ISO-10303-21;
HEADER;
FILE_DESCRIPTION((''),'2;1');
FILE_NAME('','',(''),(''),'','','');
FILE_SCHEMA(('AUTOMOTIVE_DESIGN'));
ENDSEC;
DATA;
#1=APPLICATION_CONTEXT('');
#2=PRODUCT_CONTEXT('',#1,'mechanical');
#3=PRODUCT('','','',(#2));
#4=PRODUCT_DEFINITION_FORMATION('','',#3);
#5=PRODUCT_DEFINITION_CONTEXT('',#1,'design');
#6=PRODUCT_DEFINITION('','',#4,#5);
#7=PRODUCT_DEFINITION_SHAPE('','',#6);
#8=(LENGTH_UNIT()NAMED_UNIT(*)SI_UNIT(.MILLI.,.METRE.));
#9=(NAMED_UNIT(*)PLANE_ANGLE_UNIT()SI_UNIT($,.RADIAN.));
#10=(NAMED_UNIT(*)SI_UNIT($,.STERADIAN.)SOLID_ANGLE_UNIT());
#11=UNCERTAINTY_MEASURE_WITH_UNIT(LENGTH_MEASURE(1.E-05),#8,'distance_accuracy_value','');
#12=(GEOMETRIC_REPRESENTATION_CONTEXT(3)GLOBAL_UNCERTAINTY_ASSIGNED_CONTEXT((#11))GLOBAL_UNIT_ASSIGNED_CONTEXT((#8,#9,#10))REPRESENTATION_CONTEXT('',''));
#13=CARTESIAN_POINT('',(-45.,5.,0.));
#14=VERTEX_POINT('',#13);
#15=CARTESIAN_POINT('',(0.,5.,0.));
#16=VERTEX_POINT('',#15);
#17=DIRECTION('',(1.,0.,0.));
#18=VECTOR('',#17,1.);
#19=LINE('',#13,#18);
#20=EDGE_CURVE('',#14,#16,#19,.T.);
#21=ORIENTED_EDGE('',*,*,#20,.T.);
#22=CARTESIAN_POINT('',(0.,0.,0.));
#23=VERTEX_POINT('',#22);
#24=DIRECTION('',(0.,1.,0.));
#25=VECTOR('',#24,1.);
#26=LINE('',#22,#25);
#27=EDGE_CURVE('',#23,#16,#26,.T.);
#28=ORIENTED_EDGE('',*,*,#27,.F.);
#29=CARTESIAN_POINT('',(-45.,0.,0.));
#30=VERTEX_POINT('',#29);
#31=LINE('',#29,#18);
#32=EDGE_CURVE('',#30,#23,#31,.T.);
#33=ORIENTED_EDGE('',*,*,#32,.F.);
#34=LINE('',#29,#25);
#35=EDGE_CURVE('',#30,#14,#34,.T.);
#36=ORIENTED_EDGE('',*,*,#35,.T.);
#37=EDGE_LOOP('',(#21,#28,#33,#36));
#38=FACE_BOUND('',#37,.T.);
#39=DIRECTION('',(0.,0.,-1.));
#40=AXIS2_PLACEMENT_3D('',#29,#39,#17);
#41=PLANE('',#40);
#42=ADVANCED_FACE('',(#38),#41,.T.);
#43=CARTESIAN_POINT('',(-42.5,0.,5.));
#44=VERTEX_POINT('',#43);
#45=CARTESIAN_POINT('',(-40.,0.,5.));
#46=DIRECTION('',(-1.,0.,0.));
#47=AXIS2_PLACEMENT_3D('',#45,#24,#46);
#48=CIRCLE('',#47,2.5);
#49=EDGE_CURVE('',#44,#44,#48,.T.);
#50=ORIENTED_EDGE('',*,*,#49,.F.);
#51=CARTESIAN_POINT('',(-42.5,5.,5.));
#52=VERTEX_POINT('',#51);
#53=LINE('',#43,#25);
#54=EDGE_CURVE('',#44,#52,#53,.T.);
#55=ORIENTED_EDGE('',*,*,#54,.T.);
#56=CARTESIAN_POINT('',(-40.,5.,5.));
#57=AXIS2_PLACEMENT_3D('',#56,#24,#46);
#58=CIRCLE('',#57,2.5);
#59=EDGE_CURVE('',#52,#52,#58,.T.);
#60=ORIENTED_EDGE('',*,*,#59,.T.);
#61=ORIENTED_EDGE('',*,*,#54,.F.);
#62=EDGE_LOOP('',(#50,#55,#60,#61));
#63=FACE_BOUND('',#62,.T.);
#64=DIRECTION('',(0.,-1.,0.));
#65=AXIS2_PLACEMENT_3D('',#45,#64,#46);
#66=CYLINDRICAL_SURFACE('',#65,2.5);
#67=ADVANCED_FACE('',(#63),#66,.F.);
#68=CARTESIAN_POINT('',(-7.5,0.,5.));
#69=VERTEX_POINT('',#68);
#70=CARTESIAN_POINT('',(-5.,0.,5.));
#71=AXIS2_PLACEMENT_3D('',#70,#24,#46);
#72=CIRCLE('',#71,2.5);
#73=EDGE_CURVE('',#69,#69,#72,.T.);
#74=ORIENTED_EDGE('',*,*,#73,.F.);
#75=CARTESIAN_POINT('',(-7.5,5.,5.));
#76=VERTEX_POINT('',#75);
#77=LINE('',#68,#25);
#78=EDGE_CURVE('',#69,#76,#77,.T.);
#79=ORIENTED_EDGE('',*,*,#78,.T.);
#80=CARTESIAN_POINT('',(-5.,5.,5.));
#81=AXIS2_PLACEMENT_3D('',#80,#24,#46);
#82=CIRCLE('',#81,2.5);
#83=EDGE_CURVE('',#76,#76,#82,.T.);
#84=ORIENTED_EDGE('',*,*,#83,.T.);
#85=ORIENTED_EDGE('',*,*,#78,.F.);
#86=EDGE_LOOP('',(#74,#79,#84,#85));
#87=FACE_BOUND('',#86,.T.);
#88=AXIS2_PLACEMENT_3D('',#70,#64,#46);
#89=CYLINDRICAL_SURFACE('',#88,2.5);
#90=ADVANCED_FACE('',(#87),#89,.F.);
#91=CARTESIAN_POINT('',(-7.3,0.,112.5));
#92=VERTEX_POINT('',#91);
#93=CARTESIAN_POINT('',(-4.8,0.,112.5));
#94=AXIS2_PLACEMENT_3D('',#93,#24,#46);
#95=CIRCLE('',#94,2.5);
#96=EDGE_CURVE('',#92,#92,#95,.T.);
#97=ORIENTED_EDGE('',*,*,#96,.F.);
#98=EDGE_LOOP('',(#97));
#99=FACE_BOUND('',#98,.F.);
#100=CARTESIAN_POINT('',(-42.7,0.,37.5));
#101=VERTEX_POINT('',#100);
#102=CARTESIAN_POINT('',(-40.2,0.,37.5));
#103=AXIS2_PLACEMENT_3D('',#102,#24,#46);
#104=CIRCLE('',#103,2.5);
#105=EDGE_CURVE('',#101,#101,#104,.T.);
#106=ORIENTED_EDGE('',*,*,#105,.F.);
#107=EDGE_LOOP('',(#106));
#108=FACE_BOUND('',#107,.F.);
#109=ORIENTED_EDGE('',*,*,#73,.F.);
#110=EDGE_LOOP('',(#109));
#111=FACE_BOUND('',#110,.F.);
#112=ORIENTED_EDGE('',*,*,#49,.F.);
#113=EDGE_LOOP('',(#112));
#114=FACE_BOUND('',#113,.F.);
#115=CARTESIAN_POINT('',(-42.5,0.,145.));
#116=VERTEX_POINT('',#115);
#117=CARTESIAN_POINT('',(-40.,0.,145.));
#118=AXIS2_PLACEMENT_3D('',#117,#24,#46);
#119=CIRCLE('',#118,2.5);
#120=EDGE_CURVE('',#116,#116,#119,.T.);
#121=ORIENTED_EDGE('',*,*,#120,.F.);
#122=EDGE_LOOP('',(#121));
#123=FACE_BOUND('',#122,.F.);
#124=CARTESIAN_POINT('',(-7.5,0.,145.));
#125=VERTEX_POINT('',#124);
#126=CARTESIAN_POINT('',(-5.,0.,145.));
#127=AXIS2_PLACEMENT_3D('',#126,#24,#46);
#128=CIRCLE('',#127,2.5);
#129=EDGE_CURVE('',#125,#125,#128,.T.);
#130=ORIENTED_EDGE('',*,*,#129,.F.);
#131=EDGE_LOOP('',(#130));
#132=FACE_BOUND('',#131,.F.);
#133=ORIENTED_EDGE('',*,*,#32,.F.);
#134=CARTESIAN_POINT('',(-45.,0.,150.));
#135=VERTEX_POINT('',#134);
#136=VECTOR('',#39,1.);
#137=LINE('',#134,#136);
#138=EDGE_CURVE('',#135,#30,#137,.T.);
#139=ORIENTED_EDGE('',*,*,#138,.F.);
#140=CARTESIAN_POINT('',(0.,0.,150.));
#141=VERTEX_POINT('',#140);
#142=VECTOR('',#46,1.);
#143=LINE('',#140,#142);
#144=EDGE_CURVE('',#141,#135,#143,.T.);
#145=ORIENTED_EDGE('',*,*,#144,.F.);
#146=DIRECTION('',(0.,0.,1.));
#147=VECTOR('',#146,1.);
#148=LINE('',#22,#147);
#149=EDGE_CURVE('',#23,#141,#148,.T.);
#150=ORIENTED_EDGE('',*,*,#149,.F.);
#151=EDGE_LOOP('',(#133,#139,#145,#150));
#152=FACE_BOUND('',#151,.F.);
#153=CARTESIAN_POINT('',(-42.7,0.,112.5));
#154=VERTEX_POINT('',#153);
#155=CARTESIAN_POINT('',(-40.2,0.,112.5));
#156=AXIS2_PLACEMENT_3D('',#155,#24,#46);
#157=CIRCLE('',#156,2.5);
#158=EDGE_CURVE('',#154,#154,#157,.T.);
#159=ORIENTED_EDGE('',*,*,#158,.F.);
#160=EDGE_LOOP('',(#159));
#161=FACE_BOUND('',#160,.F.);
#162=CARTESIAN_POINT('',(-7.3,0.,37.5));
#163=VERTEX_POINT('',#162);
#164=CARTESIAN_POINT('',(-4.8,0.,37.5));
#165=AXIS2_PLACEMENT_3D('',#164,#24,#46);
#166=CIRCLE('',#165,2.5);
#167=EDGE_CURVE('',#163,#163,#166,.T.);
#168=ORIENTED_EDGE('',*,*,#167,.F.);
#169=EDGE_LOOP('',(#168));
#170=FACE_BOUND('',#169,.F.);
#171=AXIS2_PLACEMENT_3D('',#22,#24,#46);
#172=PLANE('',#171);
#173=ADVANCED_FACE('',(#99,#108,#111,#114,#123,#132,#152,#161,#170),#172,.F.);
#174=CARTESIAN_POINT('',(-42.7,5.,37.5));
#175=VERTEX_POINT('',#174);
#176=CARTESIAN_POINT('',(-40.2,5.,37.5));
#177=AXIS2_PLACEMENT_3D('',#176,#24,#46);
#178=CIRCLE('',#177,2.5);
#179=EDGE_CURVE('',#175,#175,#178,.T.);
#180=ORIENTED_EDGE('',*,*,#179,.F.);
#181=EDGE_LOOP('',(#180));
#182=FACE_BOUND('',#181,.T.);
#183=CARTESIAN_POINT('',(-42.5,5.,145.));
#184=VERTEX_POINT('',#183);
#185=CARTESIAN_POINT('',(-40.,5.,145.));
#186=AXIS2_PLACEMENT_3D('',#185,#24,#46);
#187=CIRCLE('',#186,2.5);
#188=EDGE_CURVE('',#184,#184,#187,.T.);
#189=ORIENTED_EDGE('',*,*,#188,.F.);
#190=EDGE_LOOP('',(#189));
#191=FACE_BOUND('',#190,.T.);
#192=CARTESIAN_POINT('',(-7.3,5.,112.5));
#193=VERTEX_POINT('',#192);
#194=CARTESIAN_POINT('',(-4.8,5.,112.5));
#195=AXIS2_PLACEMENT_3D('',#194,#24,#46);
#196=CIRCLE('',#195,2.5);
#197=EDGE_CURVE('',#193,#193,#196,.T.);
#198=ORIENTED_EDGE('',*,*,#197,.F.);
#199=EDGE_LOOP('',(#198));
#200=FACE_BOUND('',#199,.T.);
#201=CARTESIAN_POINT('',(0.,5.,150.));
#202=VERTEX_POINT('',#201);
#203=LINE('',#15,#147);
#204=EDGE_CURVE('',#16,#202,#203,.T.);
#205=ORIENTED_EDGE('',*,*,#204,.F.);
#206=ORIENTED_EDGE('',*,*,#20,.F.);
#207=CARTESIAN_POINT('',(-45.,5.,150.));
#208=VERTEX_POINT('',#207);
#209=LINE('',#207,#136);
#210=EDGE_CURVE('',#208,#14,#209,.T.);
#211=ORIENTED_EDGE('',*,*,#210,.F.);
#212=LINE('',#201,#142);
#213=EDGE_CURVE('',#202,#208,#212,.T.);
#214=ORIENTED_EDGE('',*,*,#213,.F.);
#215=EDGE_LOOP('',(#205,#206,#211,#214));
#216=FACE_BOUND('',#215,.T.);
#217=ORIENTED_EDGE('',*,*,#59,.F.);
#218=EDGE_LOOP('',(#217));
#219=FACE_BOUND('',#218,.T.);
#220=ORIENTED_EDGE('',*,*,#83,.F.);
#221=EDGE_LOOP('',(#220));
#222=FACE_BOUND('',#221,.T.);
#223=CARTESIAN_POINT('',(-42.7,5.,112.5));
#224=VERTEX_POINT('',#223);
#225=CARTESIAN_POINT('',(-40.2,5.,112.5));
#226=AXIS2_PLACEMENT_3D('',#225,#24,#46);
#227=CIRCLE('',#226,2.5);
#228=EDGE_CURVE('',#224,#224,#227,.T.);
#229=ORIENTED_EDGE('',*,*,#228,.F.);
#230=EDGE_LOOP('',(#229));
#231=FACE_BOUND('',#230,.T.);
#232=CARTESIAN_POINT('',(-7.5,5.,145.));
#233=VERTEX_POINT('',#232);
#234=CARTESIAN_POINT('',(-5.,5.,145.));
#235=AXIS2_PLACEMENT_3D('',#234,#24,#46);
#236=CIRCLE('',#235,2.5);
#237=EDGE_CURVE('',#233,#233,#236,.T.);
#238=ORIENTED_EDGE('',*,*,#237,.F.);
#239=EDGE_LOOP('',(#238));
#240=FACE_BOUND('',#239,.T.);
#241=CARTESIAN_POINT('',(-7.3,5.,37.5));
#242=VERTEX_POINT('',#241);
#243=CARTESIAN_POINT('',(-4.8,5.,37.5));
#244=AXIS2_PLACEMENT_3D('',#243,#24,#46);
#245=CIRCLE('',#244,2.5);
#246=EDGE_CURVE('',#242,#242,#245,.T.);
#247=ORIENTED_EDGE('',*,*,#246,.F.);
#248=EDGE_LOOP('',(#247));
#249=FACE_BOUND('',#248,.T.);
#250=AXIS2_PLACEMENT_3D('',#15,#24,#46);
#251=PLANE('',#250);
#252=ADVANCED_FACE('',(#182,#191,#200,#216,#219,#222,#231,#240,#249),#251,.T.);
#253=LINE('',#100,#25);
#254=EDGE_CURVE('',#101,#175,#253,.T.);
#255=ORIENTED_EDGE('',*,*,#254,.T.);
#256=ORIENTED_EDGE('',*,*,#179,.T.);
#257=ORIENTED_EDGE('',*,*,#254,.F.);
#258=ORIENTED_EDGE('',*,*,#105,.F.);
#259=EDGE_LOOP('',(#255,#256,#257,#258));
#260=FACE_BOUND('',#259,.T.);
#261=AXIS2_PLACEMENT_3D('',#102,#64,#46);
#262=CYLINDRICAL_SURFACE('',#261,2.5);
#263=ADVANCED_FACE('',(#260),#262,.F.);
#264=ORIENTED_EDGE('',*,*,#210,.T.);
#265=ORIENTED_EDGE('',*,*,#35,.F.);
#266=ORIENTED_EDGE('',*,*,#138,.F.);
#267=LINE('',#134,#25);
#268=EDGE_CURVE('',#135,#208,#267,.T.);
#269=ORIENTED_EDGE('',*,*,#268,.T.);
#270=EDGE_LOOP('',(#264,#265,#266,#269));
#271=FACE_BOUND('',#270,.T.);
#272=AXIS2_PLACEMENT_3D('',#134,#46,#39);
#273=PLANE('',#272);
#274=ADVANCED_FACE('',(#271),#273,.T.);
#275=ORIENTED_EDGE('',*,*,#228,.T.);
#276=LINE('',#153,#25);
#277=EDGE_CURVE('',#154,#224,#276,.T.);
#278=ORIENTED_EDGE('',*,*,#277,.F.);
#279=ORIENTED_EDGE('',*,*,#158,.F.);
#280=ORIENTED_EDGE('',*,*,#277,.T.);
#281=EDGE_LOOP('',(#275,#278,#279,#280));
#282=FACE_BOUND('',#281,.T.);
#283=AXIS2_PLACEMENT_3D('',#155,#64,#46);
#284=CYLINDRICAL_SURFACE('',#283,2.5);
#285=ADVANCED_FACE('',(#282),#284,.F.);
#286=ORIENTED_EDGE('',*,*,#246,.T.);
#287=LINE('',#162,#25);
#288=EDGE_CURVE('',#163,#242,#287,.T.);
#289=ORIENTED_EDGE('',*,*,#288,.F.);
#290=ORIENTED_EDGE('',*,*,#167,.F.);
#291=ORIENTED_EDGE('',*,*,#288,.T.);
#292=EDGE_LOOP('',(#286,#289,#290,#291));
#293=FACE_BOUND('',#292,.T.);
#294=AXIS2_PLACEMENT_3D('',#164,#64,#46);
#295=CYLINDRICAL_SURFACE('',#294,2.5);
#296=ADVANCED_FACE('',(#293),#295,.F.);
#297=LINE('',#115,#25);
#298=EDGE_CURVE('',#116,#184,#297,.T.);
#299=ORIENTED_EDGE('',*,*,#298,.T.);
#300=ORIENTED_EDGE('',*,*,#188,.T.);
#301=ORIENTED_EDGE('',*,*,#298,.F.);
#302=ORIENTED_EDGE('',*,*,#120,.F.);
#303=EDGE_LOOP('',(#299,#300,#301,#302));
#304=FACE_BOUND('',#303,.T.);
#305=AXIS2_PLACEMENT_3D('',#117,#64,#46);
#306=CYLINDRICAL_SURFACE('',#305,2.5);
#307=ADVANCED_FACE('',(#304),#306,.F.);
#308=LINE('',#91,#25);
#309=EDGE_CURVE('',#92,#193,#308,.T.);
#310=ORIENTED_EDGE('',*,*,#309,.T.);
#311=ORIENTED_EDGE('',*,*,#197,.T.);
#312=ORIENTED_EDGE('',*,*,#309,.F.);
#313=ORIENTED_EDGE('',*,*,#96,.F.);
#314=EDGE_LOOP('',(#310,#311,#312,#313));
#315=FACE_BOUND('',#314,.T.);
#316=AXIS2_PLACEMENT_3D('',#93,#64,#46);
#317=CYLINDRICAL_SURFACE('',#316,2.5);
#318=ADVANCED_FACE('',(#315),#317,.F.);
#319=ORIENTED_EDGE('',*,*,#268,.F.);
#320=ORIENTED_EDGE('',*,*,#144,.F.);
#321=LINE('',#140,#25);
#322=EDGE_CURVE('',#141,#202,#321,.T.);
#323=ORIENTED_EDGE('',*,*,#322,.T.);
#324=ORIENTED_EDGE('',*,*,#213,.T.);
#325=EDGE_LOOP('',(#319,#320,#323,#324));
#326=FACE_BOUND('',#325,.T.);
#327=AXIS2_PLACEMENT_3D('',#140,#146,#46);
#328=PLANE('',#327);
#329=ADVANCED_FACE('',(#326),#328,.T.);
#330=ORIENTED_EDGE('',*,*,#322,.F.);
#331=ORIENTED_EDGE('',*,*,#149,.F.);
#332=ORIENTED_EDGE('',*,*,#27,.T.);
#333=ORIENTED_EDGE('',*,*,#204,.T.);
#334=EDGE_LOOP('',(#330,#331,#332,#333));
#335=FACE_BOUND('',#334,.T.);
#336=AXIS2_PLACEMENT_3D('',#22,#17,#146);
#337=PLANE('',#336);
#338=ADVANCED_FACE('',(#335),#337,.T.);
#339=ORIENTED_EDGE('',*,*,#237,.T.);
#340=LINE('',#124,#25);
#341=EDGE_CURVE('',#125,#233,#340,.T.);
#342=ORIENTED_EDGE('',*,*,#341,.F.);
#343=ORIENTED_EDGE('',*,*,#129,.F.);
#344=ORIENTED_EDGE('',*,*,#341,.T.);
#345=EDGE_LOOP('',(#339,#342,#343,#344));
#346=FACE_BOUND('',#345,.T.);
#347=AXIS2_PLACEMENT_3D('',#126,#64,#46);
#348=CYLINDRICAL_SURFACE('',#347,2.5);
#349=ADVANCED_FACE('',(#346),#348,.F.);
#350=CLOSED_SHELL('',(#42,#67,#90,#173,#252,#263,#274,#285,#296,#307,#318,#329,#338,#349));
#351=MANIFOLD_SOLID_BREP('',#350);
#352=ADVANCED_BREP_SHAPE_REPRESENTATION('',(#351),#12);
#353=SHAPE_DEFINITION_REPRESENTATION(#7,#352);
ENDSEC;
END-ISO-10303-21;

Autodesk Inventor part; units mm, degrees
ref_plane "YZ Plane" through (0, 0, 0) normal (1, 0, 0) x (0, 1, 0)
ref_plane "XZ Plane" through (0, 0, 0) normal (0, 1, 0) x (-1, 0, 0)
ref_plane "XY Plane" through (0, 0, 0) normal (0, 0, 1) x (1, 0, 0)
sketch "Esboço1" plane through (0, 0, 0) normal (0, 1, 0) x (-1, 0, 0)
  line L0 (0, 0) -> (0, 150)
  line L1 (0, 150) -> (45, 150)
  line L2 (45, 150) -> (45, 0)
  line L3 (45, 0) -> (0, 0)
  line L4 (45, 0) -> (55, 0)
  circle A0 centre (5, 5) radius 2.5
  circle A1 centre (5, 145) radius 2.5
  circle A2 centre (40, 145) radius 2.5
  circle A3 centre (40, 5) radius 2.5
  circle A4 centre (40.2, 112.5) radius 2.5
  circle A5 centre (4.8, 112.5) radius 2.5
  circle A6 centre (40.2, 37.5) radius 2.5
  circle A7 centre (4.8, 37.5) radius 2.5
  dimension "d0" = 150
  dimension "d1" = 45
  dimension "d10" = 5
  dimension "d12" = 5
  dimension "d22" = 5
  dimension "d23" = 5
  dimension "d35" = 5
  dimension "d36" = 5
  dimension "d37" = 5
  dimension "d38" = 5
extrude "Extrusão6" add sketch "Esboço1" along normal blind 5
properties part number "BaseM"
